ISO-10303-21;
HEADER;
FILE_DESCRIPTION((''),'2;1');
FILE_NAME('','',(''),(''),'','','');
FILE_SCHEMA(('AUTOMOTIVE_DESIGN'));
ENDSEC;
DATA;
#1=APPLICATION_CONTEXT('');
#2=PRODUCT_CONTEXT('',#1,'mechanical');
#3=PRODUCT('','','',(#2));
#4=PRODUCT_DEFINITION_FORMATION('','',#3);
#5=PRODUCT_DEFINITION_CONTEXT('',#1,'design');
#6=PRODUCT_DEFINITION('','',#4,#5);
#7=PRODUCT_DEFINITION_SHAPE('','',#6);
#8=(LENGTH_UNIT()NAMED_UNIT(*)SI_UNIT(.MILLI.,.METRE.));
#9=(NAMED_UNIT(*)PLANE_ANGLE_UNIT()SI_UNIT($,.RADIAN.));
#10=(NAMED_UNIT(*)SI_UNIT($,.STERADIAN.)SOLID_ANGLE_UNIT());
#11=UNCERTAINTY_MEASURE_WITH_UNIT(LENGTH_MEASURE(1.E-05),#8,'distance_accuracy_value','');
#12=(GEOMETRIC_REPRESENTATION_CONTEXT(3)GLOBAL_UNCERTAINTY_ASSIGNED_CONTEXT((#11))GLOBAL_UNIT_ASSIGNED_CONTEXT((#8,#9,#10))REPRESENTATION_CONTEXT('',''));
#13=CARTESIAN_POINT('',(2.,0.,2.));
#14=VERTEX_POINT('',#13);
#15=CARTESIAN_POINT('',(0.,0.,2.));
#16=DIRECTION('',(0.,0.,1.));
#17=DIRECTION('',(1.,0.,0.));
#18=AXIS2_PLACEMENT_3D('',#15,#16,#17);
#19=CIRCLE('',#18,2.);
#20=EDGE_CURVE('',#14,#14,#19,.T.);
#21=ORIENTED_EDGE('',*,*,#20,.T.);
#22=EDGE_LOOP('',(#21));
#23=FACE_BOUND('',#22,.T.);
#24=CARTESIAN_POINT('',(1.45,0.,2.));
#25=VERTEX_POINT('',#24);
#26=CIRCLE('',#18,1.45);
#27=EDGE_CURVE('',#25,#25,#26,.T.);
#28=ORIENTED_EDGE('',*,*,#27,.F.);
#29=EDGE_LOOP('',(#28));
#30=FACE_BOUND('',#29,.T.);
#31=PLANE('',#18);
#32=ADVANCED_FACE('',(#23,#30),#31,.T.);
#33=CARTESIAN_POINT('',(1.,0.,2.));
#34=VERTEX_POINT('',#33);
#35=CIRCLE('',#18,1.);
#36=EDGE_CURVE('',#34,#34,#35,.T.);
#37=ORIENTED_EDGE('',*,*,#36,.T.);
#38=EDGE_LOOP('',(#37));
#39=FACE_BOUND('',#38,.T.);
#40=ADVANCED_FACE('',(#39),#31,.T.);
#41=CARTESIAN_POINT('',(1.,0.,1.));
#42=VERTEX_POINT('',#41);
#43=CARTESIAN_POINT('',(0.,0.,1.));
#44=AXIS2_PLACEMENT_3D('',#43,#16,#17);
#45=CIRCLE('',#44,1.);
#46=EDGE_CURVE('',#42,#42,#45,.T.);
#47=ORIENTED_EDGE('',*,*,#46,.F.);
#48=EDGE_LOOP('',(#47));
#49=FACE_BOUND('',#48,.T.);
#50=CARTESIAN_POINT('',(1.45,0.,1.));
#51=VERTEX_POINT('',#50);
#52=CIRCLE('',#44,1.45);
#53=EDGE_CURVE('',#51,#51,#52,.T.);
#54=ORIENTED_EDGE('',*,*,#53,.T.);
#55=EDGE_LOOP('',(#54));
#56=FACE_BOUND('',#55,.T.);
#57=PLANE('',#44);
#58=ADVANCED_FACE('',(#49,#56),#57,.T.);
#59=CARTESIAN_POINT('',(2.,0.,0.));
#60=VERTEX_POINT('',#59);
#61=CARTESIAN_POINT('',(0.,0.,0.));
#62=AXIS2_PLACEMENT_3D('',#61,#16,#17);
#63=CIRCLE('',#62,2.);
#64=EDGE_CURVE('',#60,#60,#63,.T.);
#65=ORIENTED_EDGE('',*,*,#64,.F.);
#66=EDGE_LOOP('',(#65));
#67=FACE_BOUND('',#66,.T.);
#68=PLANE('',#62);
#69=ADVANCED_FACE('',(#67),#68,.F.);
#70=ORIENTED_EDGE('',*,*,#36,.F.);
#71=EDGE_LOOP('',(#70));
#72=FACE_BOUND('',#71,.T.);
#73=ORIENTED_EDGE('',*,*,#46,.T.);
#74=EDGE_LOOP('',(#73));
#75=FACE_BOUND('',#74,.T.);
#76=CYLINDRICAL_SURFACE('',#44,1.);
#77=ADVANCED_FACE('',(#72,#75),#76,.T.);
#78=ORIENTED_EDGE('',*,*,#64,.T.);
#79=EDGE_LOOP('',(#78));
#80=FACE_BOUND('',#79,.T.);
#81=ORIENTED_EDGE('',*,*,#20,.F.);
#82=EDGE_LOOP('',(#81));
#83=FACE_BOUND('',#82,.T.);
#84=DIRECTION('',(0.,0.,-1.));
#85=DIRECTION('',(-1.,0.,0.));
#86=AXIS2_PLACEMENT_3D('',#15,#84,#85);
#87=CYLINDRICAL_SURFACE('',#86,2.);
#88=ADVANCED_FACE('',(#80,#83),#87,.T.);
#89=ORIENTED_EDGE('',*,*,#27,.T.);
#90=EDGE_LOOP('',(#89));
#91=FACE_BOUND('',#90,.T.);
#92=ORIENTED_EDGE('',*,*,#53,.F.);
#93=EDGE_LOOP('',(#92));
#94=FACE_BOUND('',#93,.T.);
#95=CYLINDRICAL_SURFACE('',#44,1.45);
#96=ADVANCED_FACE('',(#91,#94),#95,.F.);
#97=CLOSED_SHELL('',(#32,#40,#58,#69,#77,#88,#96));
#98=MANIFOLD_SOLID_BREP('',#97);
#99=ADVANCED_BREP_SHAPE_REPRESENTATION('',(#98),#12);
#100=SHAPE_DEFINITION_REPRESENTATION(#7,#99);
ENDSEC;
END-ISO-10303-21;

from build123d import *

# Parameters (mm, degrees)
SKETCH1_R           = 2
BOSS_EXTRUDE1_DEPTH = 2
SKETCH2_R           = 1.45
SKETCH2_R_2         = 1
CUT_EXTRUDE1_DEPTH  = 1


with BuildPart() as part:
    # Sketch1 → Boss-Extrude1 (new body)
    with BuildSketch(Plane.XY):
        Circle(SKETCH1_R)
    extrude(amount=BOSS_EXTRUDE1_DEPTH)

    # Sketch2 → Cut-Extrude1 (cut)
    with BuildSketch(Plane.XY.offset(2)):
        Circle(SKETCH2_R)
        Circle(SKETCH2_R_2, mode=Mode.SUBTRACT)
    extrude(amount=-CUT_EXTRUDE1_DEPTH, mode=Mode.SUBTRACT)


solid = part.part
